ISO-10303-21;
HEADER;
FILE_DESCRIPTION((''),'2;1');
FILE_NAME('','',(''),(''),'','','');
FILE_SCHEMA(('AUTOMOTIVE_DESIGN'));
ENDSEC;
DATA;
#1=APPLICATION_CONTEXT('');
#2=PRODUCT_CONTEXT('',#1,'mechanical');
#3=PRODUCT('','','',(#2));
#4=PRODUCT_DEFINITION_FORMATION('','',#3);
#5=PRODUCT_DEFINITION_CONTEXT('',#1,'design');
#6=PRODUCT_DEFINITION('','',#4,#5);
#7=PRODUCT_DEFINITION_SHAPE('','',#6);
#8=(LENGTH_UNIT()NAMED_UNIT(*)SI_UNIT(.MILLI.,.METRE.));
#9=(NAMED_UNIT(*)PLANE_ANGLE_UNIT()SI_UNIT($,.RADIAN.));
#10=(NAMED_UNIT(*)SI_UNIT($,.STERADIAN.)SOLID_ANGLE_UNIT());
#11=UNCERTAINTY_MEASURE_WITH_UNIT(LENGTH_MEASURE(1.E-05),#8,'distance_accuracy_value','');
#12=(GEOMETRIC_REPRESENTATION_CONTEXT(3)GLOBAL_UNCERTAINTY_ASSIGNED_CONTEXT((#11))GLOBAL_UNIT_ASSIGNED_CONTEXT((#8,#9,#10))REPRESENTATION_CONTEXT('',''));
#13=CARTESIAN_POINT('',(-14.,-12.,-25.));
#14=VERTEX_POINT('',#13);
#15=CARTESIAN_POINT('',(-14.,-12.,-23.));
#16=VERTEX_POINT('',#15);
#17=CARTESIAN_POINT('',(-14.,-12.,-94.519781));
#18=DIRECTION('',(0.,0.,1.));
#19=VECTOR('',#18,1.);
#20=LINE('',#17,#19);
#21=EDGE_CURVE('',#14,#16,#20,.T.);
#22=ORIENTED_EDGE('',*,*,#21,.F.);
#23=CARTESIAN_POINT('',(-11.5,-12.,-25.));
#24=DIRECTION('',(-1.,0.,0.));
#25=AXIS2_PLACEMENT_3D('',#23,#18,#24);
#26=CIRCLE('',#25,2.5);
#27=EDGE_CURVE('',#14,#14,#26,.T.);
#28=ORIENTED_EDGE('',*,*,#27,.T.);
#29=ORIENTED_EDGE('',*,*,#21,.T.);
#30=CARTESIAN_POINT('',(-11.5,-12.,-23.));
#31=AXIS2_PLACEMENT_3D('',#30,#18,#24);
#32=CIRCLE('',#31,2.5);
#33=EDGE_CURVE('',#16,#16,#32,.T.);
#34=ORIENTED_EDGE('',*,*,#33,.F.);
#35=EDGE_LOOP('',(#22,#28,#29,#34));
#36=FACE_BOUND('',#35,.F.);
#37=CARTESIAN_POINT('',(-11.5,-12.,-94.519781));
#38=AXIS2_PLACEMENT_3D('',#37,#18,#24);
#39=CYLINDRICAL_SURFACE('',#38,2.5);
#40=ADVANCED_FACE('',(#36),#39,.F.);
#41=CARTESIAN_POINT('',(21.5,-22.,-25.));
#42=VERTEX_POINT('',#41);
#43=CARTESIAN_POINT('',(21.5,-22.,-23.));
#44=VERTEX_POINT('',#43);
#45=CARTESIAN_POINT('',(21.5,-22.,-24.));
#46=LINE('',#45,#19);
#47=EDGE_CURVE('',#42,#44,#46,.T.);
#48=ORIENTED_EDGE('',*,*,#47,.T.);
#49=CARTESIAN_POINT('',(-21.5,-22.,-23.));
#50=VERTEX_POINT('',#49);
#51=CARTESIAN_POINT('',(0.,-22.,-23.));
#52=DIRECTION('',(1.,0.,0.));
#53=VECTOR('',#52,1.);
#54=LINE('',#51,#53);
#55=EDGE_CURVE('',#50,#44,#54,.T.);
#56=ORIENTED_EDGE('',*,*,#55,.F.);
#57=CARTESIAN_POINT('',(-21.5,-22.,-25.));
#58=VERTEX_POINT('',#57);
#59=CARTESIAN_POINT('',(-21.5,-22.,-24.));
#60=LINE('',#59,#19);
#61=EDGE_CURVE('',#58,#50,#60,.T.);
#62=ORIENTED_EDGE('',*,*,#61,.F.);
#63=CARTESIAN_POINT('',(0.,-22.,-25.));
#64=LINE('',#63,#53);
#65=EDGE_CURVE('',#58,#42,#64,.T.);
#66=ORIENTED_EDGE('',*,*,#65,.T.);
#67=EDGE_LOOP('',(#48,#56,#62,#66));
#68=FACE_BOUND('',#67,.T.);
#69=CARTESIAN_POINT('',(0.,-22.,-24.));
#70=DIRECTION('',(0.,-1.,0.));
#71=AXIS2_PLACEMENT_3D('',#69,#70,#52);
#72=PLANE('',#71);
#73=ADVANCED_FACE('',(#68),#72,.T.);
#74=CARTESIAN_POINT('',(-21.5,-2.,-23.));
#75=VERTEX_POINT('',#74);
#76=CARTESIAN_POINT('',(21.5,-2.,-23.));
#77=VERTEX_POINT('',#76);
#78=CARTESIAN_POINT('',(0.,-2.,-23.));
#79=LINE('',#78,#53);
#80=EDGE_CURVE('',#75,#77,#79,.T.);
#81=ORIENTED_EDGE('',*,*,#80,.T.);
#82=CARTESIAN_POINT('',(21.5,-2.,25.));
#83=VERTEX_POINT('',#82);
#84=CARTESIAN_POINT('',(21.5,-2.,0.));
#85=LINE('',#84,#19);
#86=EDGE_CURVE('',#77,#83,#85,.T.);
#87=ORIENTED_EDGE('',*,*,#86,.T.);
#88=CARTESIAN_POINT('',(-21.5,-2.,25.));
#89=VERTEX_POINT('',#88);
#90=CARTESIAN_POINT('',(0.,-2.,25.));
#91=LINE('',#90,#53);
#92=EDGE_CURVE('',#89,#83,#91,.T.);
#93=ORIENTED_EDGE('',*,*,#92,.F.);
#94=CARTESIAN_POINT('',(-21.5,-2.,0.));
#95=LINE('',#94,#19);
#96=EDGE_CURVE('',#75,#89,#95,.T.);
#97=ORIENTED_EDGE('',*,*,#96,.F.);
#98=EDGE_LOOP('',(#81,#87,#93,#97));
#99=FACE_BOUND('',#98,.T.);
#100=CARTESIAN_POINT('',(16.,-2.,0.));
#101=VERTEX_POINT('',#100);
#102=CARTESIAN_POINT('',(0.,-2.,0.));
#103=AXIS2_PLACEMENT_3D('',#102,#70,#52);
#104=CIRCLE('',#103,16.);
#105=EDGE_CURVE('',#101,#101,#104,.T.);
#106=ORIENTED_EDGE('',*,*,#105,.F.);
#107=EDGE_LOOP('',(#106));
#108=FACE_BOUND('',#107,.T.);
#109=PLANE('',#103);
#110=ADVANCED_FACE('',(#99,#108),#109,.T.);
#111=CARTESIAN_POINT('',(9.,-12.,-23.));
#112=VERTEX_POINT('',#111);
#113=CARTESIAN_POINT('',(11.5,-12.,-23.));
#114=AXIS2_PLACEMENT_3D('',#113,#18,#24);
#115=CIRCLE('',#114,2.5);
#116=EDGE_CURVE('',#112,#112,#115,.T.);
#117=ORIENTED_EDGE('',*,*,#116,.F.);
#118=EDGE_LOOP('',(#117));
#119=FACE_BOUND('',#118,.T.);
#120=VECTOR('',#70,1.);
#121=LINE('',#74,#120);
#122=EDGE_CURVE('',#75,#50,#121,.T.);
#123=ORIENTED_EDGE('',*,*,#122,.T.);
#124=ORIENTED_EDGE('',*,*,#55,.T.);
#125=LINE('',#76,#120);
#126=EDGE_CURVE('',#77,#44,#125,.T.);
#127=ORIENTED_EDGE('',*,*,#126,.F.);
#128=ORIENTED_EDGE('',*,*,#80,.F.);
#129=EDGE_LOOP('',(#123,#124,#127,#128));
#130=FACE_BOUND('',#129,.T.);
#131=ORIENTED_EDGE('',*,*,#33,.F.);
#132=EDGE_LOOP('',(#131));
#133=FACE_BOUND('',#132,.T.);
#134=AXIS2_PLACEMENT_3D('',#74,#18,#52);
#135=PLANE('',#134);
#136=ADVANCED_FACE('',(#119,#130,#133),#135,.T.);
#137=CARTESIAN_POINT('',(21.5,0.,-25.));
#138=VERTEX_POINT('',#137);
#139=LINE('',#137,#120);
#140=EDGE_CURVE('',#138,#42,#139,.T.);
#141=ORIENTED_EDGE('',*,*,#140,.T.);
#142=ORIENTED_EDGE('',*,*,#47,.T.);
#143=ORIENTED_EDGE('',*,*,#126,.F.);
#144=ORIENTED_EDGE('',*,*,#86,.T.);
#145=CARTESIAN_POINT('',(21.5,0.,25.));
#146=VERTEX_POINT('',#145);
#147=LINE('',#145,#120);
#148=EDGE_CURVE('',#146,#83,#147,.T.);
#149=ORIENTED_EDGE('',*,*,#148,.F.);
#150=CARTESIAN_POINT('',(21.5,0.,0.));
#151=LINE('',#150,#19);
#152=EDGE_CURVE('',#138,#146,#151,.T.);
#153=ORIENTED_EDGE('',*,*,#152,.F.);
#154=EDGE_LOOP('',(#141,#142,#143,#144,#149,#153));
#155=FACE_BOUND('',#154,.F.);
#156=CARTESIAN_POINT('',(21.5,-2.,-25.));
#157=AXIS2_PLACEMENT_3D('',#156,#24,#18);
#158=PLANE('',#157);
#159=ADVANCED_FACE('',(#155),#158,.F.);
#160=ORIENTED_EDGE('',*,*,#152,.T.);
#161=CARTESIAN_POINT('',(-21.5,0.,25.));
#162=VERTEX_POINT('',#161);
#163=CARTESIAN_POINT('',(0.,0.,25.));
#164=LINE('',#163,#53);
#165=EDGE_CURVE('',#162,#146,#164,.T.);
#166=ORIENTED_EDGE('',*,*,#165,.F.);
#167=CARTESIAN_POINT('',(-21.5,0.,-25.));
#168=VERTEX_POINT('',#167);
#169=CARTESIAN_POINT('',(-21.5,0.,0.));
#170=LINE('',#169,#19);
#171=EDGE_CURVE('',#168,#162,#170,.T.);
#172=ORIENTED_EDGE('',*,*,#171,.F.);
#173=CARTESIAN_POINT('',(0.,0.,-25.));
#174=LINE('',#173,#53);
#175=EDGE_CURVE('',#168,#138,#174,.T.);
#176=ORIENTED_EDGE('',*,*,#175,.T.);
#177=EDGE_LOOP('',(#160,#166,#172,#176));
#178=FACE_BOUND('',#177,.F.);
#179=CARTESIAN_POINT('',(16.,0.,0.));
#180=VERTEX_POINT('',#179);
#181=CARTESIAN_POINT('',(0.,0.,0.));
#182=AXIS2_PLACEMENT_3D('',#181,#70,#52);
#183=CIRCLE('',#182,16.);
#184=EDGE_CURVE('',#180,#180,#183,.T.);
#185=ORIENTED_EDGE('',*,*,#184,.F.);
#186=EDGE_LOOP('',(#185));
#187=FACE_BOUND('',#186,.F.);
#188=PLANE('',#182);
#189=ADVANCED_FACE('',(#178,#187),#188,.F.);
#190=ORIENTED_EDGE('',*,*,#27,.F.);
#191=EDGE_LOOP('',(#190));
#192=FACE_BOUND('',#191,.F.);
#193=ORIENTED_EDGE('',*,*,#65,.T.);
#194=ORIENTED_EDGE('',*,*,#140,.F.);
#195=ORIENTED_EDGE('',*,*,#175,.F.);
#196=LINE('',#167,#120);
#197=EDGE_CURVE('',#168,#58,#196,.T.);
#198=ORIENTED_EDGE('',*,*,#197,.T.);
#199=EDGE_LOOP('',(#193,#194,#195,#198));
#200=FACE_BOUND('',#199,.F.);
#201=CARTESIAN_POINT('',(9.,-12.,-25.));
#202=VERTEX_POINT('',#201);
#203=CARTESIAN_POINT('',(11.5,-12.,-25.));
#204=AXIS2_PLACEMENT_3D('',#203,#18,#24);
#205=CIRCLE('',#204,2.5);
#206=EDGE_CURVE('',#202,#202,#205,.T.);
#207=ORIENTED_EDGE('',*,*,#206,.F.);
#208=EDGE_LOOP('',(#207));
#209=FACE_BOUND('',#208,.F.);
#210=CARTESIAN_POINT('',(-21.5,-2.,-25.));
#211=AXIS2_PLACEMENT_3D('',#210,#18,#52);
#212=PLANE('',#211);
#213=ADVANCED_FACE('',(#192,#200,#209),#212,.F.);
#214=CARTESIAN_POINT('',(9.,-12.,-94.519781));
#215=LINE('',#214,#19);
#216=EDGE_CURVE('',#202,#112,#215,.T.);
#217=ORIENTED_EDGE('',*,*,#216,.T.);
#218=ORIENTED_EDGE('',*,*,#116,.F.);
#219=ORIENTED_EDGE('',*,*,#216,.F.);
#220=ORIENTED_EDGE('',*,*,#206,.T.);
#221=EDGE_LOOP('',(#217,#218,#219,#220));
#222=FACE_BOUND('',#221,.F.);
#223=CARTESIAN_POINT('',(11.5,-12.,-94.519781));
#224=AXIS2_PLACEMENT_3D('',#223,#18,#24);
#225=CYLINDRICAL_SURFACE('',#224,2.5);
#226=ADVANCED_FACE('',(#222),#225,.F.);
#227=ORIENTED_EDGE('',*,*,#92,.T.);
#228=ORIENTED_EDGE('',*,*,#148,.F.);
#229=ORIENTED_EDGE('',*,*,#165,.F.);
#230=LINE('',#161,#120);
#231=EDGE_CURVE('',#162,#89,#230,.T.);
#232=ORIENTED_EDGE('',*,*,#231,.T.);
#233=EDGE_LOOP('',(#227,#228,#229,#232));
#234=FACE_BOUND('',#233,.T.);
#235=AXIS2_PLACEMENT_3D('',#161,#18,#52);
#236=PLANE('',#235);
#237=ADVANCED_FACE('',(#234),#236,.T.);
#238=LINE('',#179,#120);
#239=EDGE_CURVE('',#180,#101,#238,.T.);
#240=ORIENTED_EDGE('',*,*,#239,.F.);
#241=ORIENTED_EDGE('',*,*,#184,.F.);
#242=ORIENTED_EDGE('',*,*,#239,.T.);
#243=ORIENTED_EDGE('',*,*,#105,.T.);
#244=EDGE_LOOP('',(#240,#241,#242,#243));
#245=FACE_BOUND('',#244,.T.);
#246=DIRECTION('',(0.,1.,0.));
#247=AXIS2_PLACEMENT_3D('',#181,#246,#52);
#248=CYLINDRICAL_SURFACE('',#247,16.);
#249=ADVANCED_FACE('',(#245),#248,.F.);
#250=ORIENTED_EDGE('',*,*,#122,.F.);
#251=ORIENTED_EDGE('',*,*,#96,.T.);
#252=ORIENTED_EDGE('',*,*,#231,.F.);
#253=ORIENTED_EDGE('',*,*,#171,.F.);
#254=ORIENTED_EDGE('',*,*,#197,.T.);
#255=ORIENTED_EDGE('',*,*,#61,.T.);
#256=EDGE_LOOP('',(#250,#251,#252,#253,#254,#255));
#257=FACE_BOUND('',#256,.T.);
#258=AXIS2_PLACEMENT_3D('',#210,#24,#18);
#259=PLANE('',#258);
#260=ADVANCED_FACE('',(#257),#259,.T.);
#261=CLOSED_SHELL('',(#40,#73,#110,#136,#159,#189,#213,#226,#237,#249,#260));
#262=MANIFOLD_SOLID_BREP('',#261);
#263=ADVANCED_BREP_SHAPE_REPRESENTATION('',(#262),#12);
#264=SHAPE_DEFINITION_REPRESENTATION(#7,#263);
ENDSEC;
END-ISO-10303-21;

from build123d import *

# Parameters (mm, degrees)
F0_W     = 43
F0_H     = 50
F0_R     = 16
F1_DEPTH = 2
F2_W     = 43
F2_H     = 2
F3_DEPTH = 20
F5_D     = 5


with BuildPart() as f1:
    # F0 (on Front) → F1 (new body)
    with BuildSketch(Plane.XZ):
        Rectangle(F0_W, F0_H)
        Circle(F0_R, mode=Mode.SUBTRACT)
    extrude(amount=F1_DEPTH)

    # F2 (on face) → F3 (join)
    with BuildSketch(Plane.XZ.offset(2)):
        with Locations((0, -24)):
            Rectangle(F2_W, F2_H)
    extrude(amount=F3_DEPTH)

    # F5 (through all)
    with Locations(Plane(origin=(0, 0, -25), x_dir=(1, 0, 0), z_dir=(0, 0, -1))):
        with Locations((-11.5, 12), (11.5, 12)):
            Hole(F5_D / 2)


solid = f1.part
